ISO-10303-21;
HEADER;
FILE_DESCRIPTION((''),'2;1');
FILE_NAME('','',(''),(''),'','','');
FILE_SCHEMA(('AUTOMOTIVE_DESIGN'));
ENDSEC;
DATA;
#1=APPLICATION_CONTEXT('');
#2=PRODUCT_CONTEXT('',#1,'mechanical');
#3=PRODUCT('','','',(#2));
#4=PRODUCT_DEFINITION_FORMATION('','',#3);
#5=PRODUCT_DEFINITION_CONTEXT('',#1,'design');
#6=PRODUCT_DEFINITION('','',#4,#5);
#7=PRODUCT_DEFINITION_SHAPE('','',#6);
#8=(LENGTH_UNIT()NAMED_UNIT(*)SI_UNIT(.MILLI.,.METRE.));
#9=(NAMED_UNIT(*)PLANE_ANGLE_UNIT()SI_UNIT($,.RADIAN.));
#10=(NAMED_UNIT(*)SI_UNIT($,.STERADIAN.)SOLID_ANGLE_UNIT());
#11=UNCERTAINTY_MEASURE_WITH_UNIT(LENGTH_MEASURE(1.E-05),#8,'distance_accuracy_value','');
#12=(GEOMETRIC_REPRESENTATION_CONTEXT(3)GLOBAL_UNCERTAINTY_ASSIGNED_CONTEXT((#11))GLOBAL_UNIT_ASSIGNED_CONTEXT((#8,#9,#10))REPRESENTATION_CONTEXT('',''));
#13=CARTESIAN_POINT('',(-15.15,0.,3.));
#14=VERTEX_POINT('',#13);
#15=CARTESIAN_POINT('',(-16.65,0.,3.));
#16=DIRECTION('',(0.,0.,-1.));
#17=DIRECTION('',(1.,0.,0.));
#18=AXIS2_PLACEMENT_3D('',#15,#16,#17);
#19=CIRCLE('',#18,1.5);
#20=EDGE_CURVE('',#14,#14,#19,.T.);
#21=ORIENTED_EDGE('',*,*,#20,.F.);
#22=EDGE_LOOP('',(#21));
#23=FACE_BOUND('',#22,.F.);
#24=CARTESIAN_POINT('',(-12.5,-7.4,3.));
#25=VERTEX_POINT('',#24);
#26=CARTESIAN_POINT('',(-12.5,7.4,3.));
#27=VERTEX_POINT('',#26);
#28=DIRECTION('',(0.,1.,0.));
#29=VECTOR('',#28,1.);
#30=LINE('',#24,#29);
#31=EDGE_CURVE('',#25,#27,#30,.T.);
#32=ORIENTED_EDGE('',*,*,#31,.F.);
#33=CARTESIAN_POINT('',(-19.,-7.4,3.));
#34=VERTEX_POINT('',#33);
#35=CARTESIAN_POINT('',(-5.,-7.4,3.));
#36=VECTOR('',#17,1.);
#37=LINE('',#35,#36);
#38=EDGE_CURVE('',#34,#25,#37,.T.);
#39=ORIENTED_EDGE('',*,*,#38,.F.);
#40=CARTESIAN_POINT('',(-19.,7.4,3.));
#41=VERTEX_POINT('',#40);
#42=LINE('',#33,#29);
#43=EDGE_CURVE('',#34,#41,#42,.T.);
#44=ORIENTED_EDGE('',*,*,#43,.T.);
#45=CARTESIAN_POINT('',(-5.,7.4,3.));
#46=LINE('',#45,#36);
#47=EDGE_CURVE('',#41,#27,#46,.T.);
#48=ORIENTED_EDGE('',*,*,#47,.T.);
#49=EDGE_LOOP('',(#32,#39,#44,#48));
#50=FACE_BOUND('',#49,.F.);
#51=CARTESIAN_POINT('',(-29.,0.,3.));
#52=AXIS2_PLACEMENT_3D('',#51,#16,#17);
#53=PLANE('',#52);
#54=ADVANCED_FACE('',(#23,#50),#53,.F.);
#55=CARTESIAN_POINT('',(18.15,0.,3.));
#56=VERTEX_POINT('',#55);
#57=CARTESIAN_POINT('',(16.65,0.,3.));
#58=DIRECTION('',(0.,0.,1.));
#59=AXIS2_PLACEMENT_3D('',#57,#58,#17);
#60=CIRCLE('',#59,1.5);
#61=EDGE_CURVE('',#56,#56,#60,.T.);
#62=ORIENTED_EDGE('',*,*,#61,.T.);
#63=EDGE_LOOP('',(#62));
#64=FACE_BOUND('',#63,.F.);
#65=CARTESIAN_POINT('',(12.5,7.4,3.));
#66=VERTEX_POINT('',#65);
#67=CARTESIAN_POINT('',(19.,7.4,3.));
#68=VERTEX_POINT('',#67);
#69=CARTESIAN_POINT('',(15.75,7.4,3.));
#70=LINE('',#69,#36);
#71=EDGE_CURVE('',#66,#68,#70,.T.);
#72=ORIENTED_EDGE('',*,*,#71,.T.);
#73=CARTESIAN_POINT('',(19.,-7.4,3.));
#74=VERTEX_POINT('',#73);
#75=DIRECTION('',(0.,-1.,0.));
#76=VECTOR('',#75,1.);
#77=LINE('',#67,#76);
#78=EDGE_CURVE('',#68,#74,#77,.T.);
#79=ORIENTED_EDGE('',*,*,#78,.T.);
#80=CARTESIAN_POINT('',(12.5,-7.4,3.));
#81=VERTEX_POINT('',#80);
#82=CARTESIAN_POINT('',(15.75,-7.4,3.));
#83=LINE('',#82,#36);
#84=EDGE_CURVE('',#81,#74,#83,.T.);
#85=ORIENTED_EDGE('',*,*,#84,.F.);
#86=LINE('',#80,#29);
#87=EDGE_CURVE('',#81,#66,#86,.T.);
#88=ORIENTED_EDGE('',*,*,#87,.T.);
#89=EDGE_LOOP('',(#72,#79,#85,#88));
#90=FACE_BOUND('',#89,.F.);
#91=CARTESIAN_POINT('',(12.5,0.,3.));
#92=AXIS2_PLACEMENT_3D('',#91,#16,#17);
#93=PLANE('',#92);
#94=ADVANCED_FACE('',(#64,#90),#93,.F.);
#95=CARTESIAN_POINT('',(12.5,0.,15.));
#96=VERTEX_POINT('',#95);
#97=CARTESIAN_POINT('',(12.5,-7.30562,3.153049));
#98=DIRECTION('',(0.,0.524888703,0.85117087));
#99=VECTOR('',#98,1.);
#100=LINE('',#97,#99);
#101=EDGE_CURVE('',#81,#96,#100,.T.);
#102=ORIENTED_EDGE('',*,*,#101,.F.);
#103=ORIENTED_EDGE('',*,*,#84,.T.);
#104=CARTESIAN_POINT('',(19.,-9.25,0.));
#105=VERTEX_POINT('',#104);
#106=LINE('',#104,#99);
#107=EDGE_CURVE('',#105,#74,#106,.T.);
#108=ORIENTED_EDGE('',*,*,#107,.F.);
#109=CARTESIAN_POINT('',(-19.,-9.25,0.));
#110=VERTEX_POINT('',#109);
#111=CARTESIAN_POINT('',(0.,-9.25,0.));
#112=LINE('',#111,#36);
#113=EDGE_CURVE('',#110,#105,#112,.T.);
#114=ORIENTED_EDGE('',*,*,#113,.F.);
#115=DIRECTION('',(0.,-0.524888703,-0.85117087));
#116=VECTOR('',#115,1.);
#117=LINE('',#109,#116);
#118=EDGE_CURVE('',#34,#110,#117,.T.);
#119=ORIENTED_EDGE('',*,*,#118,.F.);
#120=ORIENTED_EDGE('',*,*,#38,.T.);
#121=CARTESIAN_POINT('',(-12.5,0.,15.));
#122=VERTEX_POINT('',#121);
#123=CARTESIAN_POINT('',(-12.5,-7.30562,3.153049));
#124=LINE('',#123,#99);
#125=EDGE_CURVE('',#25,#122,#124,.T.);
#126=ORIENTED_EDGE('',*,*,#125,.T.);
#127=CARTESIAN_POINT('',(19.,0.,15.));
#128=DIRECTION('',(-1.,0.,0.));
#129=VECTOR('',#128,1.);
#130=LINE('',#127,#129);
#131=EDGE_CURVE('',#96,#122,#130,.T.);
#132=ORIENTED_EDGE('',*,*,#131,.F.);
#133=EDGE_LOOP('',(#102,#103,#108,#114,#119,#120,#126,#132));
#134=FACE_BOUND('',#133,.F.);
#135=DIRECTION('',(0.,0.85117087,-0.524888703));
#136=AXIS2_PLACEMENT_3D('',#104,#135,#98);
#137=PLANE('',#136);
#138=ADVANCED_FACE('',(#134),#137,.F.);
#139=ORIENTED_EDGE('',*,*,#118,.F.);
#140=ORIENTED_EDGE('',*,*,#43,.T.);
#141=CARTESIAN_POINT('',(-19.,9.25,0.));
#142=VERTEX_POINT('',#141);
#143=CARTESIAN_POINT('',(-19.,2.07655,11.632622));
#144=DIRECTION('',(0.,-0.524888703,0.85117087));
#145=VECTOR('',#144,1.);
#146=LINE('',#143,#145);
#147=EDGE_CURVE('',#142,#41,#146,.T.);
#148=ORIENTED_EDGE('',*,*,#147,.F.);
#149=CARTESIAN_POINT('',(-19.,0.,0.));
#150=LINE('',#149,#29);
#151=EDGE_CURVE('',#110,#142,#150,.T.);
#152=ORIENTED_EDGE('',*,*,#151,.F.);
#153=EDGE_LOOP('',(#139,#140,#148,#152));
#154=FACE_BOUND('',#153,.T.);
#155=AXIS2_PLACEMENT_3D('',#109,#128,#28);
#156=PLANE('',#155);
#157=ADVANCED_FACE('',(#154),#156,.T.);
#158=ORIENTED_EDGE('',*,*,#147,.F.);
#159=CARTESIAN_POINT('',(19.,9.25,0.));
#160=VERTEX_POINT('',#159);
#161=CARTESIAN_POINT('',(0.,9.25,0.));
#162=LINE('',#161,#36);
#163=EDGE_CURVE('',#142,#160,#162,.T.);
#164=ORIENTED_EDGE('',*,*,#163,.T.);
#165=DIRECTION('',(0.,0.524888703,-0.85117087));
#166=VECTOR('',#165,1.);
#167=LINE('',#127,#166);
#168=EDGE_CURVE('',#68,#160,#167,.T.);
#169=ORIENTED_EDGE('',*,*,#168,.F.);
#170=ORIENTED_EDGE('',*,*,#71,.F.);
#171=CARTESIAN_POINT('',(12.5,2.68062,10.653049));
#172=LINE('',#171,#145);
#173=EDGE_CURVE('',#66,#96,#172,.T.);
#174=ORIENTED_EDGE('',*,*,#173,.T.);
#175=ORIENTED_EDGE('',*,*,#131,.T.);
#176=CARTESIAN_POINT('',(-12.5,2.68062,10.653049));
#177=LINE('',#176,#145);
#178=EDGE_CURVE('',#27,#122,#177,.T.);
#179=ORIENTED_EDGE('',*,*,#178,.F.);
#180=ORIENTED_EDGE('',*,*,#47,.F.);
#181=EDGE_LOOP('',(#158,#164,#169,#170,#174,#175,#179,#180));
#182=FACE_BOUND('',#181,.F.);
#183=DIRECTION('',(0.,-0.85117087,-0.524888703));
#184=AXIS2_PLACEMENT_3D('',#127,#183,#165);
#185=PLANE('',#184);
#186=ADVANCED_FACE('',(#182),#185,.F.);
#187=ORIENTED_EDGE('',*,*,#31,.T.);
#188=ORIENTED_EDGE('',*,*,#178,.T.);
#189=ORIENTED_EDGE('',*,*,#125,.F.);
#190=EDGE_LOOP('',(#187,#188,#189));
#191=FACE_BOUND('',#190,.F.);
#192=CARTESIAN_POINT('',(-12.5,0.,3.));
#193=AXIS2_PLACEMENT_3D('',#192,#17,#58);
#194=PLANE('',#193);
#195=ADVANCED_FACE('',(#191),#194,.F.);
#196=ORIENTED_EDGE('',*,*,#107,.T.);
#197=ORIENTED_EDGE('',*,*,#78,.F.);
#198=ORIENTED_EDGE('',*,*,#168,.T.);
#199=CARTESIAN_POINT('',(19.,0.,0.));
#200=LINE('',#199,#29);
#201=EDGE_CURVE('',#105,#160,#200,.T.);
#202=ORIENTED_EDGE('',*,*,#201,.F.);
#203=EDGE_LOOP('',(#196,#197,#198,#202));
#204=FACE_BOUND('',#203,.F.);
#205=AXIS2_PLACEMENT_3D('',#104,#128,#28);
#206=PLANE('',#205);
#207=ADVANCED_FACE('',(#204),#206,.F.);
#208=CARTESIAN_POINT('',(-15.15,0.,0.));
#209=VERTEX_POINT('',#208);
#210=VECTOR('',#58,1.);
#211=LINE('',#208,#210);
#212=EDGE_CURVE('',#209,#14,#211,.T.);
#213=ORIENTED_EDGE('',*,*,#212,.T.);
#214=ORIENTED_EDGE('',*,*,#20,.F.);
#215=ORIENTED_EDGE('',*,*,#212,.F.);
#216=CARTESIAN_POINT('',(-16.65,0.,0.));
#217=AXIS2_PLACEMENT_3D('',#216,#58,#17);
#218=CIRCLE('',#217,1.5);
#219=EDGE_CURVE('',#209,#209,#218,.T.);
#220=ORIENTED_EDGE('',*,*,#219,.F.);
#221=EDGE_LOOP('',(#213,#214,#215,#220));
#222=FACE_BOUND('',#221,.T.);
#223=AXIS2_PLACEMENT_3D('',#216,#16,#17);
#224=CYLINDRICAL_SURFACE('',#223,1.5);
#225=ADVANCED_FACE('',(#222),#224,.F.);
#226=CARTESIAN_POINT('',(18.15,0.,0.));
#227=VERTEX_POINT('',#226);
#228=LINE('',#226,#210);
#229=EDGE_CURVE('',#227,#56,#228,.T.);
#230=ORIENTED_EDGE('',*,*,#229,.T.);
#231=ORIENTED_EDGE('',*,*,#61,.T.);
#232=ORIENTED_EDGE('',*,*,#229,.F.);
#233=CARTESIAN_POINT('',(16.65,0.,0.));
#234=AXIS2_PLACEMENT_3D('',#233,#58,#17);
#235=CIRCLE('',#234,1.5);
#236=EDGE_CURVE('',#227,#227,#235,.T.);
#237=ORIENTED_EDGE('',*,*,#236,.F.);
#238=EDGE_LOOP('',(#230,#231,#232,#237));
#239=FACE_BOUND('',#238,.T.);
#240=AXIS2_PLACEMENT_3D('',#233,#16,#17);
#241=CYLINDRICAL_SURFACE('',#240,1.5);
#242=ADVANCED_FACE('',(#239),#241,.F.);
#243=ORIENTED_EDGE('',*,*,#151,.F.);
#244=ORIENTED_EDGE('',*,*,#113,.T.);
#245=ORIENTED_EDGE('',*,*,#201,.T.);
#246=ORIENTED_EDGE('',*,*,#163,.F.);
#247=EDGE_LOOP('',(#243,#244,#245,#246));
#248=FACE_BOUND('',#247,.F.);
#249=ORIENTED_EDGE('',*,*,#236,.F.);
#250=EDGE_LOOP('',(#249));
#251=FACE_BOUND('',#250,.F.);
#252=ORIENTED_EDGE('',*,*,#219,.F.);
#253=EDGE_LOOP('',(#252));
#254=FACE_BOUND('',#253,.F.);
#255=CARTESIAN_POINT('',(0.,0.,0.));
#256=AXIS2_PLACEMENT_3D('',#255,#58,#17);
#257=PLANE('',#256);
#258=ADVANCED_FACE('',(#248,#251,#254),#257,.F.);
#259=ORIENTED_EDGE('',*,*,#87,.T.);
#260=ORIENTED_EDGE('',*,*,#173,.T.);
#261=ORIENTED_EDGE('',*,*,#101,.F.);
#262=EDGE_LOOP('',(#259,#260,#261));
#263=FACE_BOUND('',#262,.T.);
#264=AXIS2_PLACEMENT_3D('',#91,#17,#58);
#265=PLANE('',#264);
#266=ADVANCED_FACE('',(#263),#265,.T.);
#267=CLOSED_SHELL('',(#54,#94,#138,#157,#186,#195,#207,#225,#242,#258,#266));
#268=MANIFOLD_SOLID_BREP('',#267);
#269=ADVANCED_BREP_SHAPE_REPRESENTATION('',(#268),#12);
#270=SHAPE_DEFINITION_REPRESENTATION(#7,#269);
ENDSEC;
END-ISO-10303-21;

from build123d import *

# Parameters (mm, degrees)
F0_W          = 38
F0_H          = 18.5
F0_R          = 1.5
F1_DEPTH      = 15
F3_DEPTH      = 38.001
F4_W          = 16.5
F4_H          = 12
F5_DEPTH      = 25
F5_DEPTH_BACK = 25


with BuildPart() as f1:
    # F0 (on Top) → F1 (new body)
    with BuildSketch(Plane.XY):
        Rectangle(F0_W, F0_H)
        with Locations((-16.65, 0)):
            Circle(F0_R, mode=Mode.SUBTRACT)
        with Locations((16.65, 0)):
            Circle(F0_R, mode=Mode.SUBTRACT)
    extrude(amount=F1_DEPTH)

    # F2 (on face) → F3 (cut, through all)
    with BuildSketch(Plane.YZ.offset(19)):
        Polygon((-9.25, 15), (-9.25, 0), (0, 15), align=None)
        Polygon((9.25, 15), (0, 15), (9.25, 0), align=None)
    extrude(amount=-F3_DEPTH, mode=Mode.SUBTRACT)

    # F4 (on Front) → F5 (cut, two sides)
    with BuildSketch(Plane.XZ) as f5_sk:
        with Locations((-20.75, 9)):
            Rectangle(F4_W, F4_H)
        with Locations((20.75, 9)):
            Rectangle(F4_W, F4_H)
    extrude(amount=F5_DEPTH, mode=Mode.SUBTRACT)
    extrude(f5_sk.sketch, amount=-F5_DEPTH_BACK, mode=Mode.SUBTRACT)


solid = f1.part
